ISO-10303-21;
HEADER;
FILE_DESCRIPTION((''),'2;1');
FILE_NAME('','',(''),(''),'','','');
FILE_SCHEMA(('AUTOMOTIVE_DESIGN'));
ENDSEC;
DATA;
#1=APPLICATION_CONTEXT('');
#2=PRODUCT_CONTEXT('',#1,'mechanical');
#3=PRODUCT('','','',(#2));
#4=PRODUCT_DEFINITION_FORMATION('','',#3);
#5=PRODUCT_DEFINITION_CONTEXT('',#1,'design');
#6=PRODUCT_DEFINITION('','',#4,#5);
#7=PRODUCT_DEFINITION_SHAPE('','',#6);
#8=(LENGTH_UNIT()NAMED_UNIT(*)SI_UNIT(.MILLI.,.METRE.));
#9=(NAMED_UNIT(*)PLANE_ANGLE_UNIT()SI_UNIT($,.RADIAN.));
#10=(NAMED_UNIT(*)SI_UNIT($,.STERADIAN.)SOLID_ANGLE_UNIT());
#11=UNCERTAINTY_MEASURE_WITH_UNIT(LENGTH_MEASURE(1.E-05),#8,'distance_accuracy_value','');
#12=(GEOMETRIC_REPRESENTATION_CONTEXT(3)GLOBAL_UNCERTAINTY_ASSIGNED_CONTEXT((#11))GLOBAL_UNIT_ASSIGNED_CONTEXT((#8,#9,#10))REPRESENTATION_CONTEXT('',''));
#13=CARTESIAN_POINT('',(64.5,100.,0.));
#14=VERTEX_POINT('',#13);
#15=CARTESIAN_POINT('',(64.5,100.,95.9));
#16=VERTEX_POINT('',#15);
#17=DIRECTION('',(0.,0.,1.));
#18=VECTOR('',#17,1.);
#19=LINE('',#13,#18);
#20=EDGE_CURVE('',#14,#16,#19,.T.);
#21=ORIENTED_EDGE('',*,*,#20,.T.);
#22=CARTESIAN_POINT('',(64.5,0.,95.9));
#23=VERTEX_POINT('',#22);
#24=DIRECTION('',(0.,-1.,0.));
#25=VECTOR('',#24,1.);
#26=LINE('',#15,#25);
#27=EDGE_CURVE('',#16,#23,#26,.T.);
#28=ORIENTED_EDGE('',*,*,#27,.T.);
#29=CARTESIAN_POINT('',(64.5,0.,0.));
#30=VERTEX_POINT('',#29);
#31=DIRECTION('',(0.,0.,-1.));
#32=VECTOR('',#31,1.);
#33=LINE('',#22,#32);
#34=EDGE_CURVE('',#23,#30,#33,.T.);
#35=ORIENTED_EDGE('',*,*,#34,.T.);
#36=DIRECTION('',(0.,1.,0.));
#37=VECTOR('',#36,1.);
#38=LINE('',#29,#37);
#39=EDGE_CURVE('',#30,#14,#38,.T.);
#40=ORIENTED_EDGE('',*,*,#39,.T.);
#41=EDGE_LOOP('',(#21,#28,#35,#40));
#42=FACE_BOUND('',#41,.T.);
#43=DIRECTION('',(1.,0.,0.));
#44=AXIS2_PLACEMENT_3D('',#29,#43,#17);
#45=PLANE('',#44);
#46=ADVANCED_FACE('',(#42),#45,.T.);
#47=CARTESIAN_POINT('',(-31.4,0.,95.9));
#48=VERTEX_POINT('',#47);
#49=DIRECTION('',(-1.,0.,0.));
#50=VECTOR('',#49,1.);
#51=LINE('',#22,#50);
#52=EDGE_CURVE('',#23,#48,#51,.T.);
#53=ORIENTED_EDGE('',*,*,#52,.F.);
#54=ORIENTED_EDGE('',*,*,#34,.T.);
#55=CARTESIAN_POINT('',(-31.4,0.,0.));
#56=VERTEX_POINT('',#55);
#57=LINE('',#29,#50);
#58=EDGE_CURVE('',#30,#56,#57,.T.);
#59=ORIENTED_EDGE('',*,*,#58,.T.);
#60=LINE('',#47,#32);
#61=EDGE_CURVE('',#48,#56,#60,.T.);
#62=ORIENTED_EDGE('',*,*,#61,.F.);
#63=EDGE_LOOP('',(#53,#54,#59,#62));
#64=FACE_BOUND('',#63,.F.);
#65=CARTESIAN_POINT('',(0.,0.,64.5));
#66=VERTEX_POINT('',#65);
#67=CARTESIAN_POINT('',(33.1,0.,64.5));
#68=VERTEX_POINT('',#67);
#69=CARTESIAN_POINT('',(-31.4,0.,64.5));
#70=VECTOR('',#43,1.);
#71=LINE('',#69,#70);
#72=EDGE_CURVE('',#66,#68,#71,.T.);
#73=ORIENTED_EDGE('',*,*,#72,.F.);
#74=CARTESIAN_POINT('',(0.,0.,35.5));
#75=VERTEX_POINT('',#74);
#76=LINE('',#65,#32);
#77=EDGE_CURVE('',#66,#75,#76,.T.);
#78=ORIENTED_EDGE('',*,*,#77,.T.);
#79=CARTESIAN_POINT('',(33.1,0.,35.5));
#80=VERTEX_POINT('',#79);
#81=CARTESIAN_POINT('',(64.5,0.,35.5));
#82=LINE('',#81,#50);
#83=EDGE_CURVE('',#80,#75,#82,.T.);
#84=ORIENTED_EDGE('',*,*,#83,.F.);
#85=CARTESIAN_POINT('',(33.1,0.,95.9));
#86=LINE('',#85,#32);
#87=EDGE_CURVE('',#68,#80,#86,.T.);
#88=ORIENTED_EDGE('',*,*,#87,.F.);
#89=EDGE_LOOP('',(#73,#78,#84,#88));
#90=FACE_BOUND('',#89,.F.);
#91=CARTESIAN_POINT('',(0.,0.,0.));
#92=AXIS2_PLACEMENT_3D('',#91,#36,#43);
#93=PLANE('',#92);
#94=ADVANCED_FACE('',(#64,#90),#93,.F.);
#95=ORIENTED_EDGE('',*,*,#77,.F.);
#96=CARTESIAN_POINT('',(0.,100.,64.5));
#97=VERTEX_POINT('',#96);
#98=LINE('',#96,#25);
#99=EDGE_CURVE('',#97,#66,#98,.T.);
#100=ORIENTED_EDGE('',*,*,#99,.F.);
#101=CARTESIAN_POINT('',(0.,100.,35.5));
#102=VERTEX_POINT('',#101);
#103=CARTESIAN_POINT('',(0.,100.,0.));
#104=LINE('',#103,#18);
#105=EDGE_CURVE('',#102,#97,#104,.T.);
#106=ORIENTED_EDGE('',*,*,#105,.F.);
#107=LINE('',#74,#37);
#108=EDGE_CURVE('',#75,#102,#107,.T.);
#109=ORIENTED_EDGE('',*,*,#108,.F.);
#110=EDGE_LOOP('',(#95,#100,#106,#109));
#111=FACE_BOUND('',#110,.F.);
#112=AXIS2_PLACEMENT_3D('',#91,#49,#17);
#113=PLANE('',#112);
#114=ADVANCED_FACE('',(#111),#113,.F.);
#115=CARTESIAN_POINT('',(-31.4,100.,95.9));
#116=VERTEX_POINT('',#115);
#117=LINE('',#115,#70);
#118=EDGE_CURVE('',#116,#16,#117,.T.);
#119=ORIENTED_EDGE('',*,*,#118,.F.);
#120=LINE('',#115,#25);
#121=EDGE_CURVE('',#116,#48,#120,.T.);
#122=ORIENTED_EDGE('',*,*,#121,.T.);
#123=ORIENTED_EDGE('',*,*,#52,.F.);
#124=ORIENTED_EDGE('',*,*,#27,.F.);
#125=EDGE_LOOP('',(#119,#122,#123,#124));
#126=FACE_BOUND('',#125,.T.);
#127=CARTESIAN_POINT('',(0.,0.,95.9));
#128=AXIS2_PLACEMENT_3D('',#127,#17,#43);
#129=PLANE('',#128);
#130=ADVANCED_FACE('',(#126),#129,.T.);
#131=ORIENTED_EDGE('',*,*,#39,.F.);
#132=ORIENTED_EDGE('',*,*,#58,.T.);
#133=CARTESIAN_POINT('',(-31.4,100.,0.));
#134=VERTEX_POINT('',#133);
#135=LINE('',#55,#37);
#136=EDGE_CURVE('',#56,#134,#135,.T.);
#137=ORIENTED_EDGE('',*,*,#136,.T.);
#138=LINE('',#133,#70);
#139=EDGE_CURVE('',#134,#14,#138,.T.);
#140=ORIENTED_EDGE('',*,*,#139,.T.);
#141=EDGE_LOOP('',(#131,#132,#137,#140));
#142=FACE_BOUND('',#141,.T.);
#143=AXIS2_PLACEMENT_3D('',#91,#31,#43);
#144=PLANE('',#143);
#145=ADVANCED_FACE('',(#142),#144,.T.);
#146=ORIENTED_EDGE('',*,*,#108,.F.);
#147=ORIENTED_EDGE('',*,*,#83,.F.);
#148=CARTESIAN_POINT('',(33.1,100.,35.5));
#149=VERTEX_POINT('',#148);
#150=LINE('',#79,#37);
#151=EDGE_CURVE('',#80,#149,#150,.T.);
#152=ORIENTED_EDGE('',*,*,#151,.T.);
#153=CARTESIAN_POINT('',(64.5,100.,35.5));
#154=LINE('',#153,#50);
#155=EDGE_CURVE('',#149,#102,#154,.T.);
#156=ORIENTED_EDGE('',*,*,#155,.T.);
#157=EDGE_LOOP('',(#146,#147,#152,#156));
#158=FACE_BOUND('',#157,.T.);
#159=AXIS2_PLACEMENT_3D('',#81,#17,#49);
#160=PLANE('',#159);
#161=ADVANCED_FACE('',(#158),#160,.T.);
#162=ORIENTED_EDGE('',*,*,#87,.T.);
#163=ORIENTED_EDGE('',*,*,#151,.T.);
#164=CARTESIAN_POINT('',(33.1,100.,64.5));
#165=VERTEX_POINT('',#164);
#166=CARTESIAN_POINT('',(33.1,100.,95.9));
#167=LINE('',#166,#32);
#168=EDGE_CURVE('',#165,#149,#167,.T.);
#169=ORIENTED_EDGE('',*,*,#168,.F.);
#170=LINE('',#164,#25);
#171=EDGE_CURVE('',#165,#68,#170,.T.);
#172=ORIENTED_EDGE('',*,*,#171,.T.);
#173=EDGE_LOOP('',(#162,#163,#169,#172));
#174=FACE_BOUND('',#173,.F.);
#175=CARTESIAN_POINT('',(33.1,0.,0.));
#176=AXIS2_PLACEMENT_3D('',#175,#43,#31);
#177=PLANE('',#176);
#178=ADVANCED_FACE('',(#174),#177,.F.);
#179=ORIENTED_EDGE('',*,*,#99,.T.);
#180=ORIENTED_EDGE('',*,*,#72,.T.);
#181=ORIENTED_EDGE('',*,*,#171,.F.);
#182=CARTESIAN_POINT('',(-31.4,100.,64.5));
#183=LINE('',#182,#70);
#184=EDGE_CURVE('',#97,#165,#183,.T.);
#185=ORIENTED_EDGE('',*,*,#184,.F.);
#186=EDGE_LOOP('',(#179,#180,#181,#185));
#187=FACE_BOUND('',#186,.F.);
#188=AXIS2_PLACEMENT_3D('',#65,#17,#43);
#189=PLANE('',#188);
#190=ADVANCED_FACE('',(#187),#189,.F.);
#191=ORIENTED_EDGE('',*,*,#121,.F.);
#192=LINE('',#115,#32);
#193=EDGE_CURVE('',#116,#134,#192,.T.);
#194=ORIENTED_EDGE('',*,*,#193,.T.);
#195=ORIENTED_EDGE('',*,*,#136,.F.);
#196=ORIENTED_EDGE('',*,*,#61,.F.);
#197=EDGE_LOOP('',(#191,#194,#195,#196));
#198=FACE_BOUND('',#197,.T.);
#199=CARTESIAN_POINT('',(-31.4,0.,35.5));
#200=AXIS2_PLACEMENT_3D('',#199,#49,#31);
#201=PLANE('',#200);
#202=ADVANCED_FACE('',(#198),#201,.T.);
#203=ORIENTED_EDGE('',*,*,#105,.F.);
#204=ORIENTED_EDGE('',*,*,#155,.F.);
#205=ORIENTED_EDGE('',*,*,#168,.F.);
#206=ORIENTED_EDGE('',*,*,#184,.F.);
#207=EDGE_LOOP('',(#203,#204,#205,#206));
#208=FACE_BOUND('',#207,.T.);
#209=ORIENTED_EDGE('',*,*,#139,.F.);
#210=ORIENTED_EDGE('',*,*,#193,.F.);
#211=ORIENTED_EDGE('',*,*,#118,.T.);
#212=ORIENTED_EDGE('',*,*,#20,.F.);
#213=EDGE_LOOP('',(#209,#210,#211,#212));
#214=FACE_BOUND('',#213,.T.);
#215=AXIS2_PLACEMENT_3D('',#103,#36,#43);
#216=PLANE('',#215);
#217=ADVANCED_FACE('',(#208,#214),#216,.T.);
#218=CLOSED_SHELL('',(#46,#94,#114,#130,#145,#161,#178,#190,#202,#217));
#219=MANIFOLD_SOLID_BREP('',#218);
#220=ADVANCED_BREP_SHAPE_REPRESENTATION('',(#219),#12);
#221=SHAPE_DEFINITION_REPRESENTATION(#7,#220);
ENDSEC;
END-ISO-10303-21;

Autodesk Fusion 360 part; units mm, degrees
sketch "Sketch2" plane through (0, 0, 0) normal (0, 1, 0) x (1, 0, 0)
  line L0 (0, 0) -> (64.5, 0)
  line L1 (64.5, 0) -> (64.5, -35.5)
  line L2 (64.5, -35.5) -> (0, -35.5)
  line L3 (0, -35.5) -> (0, 0)
  dimension "d5" = 64.5
  dimension "d6" = 35.5
extrude "Extrude2" add sketch "Sketch2" along normal blind 100 makes body 1
sketch "Sketch3" plane through (0, 0, 0) normal (-1, 0, 0) x (0, 0, 1)
  line L0 (0, 0) -> (35.5, 0)
  line L1 (35.5, 0) -> (35.5, 100)
  line L2 (35.5, 100) -> (0, 100)
  line L3 (0, 100) -> (0, 0)
  line L4 (0, 100) -> (64.5, 100)
  line L5 (64.5, 100) -> (64.5, 0)
  line L6 (64.5, 0) -> (0, 0)
  line L7 (0, 0) -> (0, 100)
  dimension "d9" = 64.5
  dimension "d10" = 100
extrude "Extrude3" add sketch "Sketch3" along normal blind 31.4 separate body contours L1 L4 L5 L6 makes body 2
extrude "Extrude4" add 1 faces at (0, 66.6667, 23.6667) along direction (-1, 0, 0) blind 31.4 on bodies 1 bodies 1 2
sketch "Sketch4" plane through (0, 0, 64.5) normal (0, 0, 1) x (1, 0, 0)
  line L0 (0, 0) -> (0, 100)
  line L1 (0, 100) -> (-31.4, 100)
  line L2 (-31.4, 100) -> (-31.4, 0)
  line L3 (-31.4, 0) -> (0, 0)
  line L4 (-31.4, 100) -> (33.1, 100)
  line L5 (33.1, 100) -> (33.1, 0)
  line L6 (33.1, 0) -> (-31.4, 0)
  line L7 (-31.4, 0) -> (-31.4, 100)
  dimension "d15" = 64.5
  dimension "d16" = 100
extrude "Extrude5" add sketch "Sketch4" along normal blind 31.4 bodies 1
sketch "Sketch5" plane through (33.1, 0, 0) normal (1, 0, 0) x (0, 0, -1)
  line L0 (-64.5, 0) -> (-64.5, 100)
  line L1 (-64.5, 100) -> (-95.9, 100)
  line L2 (-95.9, 100) -> (-95.9, 0)
  line L3 (-95.9, 0) -> (-64.5, 0)
  line L4 (-95.9, 100) -> (-31.4, 100)
  line L5 (-31.4, 100) -> (-31.4, 0)
  line L6 (-31.4, 0) -> (-95.9, 0)
  line L7 (-95.9, 0) -> (-95.9, 100)
  dimension "d19" = 64.5
  dimension "d20" = 100
extrude "Extrude6" add sketch "Sketch5" along normal blind 31.4 bodies 1
